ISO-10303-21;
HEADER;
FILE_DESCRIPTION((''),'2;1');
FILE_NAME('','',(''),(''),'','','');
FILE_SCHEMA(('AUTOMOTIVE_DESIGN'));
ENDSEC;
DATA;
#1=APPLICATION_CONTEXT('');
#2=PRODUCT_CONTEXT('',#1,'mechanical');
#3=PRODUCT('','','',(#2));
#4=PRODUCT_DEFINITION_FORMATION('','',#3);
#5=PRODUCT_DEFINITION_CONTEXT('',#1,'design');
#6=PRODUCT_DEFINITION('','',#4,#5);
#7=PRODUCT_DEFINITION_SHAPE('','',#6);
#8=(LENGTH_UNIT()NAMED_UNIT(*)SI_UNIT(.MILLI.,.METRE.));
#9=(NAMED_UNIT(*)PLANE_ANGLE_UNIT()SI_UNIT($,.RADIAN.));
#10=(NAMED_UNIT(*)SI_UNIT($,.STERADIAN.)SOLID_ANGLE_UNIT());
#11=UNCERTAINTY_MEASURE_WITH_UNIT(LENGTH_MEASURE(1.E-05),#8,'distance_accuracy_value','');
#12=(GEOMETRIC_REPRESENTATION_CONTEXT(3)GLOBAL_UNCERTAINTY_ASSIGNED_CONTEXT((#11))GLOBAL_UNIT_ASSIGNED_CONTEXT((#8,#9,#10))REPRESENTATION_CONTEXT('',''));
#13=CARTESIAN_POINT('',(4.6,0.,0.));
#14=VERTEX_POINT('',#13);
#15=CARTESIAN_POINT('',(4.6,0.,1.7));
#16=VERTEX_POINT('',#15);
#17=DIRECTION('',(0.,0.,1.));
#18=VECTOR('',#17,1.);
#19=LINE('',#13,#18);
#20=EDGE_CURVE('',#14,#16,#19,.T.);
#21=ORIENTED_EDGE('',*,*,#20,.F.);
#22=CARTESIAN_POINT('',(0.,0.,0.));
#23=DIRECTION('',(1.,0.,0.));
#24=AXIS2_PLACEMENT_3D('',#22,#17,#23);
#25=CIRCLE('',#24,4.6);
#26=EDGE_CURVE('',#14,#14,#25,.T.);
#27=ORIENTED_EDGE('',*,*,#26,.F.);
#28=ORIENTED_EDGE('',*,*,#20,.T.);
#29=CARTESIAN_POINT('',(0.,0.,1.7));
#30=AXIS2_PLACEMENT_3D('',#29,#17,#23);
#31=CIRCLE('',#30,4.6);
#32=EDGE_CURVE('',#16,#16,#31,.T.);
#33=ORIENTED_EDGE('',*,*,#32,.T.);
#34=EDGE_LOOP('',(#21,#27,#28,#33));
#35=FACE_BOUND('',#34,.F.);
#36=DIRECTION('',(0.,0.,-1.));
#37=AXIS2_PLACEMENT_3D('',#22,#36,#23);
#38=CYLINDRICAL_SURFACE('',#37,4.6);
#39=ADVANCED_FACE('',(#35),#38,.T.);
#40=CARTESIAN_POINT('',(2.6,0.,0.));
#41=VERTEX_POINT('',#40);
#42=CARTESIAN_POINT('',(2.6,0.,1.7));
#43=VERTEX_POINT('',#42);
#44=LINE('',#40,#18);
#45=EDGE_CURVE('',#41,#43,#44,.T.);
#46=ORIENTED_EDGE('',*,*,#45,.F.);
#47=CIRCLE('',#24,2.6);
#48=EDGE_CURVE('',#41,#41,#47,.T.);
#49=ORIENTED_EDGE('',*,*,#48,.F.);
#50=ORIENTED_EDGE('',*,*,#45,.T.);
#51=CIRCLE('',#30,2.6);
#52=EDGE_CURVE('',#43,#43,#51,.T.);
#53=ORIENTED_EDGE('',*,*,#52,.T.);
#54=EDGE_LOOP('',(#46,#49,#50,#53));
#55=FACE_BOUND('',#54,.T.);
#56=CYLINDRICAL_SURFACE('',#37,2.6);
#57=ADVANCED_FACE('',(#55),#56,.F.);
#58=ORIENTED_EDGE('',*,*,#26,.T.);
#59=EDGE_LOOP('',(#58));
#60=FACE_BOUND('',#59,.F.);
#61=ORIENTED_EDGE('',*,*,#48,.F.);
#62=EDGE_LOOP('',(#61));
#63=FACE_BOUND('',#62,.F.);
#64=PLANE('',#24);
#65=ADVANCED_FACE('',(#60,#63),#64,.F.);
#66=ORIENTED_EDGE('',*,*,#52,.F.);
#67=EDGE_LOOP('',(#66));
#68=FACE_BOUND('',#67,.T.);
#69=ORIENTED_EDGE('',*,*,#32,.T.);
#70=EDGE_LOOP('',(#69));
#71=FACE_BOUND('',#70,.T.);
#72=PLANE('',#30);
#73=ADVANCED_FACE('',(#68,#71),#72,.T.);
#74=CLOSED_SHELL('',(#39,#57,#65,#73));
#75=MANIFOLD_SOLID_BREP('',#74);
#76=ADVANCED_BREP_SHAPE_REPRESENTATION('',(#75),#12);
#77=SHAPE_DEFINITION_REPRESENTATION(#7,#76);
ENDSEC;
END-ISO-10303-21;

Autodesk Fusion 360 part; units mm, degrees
sketch "Sketch1" plane through (0, 0, 0) normal (0, 0, 1) x (1, 0, 0) in component "support"
  circle A0 centre (0, 0) radius 2.6
  circle A1 centre (0, 0) radius 4.6
  dimension "d1" = 5.2
  dimension "d2" = 2
extrude "Extrude1" add sketch "Sketch1" along normal blind 1.7 in component "support"
component "support" placed x (1, 0, 0) y (0, 1, 0) z (0, 0, 1) at (0, 0, 0)
